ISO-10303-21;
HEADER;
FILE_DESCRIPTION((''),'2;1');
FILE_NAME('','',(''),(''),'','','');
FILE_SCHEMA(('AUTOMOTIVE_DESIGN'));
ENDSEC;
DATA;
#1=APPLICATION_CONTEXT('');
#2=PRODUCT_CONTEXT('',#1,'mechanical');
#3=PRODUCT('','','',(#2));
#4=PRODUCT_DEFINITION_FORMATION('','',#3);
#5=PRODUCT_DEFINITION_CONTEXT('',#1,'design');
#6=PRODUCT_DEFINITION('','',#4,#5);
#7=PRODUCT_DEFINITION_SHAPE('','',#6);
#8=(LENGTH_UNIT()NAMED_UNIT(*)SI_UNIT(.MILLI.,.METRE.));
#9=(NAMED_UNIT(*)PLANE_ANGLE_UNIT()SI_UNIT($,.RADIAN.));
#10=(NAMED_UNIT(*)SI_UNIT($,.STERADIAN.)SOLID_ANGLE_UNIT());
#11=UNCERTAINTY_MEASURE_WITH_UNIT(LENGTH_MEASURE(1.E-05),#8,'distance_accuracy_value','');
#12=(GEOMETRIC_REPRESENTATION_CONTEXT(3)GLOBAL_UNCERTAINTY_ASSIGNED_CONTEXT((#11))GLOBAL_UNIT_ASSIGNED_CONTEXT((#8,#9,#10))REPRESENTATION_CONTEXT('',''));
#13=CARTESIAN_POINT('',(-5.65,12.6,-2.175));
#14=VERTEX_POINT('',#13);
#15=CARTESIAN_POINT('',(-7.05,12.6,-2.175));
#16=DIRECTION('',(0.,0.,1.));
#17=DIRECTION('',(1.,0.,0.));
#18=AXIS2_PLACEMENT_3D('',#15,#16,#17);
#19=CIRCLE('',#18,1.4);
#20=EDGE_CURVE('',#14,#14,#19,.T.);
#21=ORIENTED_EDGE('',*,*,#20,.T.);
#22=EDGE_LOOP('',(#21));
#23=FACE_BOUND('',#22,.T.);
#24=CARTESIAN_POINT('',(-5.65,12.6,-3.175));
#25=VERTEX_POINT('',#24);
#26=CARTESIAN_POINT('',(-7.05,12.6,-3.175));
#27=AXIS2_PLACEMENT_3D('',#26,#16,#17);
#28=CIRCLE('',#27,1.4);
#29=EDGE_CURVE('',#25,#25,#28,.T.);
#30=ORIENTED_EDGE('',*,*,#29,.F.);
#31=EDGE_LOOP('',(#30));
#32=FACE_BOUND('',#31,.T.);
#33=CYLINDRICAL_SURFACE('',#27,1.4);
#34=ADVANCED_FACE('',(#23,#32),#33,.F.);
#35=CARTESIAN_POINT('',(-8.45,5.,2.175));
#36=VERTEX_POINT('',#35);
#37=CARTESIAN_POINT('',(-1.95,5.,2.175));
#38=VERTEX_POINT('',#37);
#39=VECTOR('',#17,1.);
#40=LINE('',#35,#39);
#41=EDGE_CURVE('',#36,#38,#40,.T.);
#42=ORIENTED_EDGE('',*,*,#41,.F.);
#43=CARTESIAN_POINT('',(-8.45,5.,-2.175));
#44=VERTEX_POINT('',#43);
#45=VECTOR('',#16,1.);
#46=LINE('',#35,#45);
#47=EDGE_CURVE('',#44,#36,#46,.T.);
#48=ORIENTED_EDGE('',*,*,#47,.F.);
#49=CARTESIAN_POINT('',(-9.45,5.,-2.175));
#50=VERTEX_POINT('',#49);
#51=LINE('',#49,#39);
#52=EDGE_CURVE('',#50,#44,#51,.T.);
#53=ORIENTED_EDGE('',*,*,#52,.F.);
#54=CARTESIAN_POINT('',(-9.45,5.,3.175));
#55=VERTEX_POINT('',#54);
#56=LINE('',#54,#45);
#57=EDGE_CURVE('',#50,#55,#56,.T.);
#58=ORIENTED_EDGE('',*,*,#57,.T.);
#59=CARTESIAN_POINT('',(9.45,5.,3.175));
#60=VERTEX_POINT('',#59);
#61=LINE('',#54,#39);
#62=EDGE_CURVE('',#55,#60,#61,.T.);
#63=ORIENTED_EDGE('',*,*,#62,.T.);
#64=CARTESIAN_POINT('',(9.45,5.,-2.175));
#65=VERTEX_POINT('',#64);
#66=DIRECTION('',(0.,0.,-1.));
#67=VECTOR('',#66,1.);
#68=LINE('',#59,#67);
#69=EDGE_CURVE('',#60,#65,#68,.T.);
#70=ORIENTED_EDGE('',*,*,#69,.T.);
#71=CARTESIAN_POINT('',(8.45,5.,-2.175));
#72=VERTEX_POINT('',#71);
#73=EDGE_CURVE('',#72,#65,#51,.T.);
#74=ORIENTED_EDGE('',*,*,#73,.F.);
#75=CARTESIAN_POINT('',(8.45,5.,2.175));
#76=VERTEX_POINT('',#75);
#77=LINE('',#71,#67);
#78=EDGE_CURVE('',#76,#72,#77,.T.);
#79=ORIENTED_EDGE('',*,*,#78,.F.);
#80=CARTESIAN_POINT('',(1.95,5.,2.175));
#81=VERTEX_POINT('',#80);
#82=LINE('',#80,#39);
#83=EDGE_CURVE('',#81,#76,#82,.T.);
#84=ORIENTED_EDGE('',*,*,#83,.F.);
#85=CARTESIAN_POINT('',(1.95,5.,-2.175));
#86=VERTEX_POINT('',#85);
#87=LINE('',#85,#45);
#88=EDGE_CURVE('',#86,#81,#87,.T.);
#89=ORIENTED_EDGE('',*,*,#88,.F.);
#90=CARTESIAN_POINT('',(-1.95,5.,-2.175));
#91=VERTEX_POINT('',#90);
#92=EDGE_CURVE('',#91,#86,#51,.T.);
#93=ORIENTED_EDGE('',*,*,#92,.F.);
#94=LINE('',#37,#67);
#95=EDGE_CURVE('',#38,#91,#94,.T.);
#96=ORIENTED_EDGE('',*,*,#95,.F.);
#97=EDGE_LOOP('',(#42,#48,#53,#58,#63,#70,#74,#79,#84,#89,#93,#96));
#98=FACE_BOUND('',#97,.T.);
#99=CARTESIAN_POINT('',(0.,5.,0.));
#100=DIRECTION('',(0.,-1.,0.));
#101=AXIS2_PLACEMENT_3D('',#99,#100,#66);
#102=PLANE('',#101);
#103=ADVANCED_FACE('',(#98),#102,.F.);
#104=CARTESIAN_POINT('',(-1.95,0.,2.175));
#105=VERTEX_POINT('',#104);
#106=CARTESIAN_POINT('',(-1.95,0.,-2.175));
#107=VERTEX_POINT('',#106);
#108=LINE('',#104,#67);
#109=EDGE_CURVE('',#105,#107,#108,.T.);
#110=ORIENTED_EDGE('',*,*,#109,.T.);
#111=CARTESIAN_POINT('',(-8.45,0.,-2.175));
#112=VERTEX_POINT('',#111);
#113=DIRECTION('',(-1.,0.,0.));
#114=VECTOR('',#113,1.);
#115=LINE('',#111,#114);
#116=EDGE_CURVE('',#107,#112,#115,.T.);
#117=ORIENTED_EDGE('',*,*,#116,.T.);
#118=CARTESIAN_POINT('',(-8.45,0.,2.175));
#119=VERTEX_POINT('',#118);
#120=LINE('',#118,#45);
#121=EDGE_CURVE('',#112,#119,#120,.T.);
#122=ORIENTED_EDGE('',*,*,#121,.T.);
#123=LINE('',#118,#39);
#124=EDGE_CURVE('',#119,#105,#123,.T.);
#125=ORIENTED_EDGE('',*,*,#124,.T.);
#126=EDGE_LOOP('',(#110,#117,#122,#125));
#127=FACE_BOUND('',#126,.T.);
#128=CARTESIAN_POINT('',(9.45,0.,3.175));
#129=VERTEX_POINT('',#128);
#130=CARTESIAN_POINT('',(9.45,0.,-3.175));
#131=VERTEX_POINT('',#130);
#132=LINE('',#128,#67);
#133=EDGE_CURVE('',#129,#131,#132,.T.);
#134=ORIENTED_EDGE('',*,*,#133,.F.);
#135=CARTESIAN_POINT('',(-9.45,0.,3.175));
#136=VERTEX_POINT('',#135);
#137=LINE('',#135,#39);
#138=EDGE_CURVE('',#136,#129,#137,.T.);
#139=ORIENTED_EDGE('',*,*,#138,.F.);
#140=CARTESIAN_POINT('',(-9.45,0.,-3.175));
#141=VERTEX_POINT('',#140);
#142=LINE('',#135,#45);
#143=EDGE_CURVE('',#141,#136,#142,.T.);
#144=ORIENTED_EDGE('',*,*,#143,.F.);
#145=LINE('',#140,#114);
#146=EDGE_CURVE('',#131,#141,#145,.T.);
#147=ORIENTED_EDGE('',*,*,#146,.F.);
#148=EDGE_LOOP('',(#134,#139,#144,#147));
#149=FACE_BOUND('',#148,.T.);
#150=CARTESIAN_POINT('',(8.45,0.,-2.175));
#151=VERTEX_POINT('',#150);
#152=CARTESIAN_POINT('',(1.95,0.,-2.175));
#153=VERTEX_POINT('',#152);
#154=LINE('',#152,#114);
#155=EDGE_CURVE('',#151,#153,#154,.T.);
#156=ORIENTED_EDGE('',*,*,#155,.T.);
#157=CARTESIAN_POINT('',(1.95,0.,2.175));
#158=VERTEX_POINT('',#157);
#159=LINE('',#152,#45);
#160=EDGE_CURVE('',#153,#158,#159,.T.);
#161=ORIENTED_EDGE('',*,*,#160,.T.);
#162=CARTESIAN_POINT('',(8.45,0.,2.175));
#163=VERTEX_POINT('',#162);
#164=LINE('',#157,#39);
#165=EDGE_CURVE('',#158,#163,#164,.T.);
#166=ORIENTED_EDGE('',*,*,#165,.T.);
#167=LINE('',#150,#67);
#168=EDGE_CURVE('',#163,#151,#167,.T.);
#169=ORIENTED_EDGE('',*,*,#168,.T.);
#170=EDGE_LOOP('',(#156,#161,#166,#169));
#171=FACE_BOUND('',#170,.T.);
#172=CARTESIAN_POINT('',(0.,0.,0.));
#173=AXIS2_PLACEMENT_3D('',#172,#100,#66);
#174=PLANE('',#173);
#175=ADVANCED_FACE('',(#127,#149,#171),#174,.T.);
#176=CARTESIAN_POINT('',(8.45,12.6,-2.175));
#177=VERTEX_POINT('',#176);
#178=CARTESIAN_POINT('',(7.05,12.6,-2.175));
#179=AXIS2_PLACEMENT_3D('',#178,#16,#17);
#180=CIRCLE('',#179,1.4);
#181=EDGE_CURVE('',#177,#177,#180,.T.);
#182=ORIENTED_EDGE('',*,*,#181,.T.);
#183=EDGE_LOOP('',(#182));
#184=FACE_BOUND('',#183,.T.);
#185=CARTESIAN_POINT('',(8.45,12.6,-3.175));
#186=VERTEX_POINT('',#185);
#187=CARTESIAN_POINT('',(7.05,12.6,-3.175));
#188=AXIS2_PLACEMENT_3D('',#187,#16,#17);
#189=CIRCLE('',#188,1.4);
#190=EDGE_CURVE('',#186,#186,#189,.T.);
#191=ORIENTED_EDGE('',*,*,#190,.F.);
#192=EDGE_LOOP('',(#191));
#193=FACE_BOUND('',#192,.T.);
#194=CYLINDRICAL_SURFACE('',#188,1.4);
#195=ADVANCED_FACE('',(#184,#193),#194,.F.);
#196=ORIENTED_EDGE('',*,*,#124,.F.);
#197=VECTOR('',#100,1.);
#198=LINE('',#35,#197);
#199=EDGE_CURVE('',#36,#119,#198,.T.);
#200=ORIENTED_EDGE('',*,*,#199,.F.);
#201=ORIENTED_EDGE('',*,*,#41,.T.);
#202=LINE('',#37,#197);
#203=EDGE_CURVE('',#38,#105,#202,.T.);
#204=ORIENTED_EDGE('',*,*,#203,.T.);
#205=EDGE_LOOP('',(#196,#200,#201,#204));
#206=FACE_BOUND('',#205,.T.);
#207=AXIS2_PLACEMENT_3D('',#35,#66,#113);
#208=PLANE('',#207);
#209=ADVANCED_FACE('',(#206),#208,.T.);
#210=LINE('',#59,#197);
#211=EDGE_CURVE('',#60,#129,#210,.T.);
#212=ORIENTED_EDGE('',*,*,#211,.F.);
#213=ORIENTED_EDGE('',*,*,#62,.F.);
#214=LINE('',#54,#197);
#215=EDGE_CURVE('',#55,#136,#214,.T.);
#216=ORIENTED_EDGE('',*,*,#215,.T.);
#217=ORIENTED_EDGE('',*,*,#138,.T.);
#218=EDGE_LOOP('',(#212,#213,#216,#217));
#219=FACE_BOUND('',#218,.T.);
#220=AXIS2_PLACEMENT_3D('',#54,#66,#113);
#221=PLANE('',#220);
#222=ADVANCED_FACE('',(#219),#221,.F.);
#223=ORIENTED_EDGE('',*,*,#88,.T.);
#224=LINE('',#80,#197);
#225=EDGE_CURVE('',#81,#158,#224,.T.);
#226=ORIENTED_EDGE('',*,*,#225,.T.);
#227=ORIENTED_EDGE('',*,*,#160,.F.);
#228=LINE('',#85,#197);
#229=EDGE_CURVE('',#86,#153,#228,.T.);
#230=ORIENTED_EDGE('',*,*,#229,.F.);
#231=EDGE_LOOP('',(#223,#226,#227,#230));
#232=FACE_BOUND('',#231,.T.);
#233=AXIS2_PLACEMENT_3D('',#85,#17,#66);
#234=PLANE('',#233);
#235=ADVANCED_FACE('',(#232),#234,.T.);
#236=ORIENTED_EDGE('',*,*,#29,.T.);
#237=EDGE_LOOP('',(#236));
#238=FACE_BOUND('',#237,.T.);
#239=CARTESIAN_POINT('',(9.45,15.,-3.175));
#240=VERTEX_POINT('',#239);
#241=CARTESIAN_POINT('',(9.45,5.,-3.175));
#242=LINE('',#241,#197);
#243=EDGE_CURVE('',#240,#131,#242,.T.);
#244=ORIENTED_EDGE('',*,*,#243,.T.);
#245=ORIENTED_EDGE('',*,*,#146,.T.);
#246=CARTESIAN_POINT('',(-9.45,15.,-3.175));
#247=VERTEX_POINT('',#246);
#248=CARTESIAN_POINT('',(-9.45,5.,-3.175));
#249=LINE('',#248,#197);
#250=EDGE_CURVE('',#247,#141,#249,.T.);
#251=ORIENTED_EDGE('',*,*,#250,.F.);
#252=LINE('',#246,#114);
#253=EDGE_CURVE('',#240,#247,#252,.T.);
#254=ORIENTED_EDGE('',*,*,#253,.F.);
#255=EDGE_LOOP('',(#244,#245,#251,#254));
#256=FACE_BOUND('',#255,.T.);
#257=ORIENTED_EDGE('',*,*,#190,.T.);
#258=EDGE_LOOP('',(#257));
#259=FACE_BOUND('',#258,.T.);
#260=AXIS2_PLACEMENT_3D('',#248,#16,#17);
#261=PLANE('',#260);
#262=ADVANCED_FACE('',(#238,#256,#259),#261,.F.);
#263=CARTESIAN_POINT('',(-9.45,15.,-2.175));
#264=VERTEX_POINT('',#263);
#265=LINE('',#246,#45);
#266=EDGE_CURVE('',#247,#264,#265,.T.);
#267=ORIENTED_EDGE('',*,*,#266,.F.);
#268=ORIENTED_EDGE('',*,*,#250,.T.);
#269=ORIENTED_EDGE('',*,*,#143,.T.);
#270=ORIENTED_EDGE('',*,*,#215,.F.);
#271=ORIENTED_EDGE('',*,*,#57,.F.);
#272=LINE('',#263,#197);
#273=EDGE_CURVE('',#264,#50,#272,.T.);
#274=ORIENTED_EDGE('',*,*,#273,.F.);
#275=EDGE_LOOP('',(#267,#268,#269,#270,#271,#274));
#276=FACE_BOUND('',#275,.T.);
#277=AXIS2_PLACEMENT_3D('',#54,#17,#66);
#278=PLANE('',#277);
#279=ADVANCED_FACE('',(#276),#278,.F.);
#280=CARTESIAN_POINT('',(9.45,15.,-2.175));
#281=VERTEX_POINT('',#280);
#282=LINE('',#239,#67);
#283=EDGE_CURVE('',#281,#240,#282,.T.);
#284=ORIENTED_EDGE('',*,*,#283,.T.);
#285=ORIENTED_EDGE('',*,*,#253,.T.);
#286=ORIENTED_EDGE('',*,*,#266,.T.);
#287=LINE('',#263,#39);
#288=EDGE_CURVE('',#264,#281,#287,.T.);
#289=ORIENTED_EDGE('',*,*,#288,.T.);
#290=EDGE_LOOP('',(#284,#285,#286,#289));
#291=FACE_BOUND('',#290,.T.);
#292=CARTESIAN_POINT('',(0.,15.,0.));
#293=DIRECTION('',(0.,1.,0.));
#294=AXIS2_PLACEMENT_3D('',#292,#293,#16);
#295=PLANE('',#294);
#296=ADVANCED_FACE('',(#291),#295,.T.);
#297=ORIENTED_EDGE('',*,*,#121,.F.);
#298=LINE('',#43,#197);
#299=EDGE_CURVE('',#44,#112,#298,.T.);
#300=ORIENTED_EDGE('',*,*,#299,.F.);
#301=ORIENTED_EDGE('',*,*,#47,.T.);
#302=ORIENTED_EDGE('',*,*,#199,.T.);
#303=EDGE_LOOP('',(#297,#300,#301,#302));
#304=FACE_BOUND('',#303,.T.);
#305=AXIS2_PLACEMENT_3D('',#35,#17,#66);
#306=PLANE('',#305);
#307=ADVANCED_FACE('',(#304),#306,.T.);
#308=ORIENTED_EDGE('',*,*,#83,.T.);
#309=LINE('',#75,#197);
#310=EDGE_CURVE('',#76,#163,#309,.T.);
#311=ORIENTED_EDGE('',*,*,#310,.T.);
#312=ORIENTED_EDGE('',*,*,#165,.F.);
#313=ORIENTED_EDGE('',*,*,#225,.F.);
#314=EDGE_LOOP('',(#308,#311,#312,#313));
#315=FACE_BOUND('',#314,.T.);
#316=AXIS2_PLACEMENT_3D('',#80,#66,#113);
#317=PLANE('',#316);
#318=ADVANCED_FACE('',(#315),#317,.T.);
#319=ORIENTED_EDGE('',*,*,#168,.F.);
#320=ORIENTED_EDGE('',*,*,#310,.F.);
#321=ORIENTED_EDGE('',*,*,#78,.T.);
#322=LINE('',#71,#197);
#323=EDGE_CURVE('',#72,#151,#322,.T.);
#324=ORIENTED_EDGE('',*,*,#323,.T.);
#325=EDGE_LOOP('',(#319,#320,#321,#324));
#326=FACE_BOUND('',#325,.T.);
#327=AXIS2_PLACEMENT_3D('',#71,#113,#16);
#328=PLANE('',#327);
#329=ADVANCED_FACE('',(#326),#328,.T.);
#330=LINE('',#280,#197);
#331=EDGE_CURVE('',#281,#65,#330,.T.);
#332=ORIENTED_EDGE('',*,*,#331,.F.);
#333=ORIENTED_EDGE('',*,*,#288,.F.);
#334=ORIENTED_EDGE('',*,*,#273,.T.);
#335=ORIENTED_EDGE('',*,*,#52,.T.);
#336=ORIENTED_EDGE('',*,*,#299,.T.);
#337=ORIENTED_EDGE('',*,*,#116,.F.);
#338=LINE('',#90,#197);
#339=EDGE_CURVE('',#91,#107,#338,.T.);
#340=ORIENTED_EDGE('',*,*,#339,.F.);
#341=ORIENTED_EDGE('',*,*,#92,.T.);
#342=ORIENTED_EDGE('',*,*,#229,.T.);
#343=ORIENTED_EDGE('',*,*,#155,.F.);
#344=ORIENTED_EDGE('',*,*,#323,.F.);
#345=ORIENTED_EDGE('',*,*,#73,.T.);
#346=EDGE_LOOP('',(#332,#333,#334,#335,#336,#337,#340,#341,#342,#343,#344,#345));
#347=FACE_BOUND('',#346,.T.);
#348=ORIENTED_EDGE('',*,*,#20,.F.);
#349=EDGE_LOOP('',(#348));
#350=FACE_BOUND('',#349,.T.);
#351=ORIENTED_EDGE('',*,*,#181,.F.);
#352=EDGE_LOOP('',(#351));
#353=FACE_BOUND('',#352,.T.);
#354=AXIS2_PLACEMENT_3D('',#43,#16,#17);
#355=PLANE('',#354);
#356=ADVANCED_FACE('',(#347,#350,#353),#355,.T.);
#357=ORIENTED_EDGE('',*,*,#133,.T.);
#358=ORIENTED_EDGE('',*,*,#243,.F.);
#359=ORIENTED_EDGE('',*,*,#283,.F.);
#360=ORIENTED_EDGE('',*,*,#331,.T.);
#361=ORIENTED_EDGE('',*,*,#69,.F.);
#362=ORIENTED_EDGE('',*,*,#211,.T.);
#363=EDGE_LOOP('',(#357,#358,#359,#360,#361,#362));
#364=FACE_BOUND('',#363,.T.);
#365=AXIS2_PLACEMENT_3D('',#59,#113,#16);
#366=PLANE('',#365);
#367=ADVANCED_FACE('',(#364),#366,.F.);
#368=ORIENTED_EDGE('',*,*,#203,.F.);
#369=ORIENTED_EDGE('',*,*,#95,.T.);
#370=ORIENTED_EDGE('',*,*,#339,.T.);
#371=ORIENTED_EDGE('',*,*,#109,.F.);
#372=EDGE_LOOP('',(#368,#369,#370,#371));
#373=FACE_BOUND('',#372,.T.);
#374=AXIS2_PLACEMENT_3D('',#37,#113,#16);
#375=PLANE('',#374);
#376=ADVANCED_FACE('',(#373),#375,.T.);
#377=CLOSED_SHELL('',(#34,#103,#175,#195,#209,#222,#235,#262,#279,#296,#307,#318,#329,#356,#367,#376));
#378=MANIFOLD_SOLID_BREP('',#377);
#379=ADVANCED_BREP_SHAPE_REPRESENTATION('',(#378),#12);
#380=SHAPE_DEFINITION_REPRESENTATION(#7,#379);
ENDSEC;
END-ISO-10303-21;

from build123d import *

# Parameters (mm, degrees)
SKETCH1_W           = 18.9
SKETCH1_H           = 6.35
SKETCH1_W_2         = 6.5
SKETCH1_H_2         = 4.35
BOSS_EXTRUDE1_DEPTH = 5
SKETCH2_W           = 18.9
SKETCH2_H           = 1
BOSS_EXTRUDE2_DEPTH = 10
SKETCH3_R           = 1.4
CUT_EXTRUDE1_DEPTH  = 2


with BuildPart() as part:
    # Sketch1 → Boss-Extrude1 (new body)
    with BuildSketch(Plane(origin=(0, 0, 0), x_dir=(1, 0, 0), z_dir=(0, 1, 0))):
        Rectangle(SKETCH1_W, SKETCH1_H)
        with Locations((-5.2, 0)):
            Rectangle(SKETCH1_W_2, SKETCH1_H_2, mode=Mode.SUBTRACT)
        with Locations((5.2, 0)):
            Rectangle(SKETCH1_W_2, SKETCH1_H_2, mode=Mode.SUBTRACT)
    extrude(amount=BOSS_EXTRUDE1_DEPTH)

    # Sketch2 → Boss-Extrude2 (add)
    with BuildSketch(Plane(origin=(0, 5, 0), x_dir=(1, 0, 0), z_dir=(0, 1, 0))):
        with Locations((0, 2.675)):
            Rectangle(SKETCH2_W, SKETCH2_H)
    extrude(amount=BOSS_EXTRUDE2_DEPTH)

    # Sketch3 → Cut-Extrude1 (cut, through all)
    with BuildSketch(Plane.XY.offset(-2.175)):
        with Locations((7.05, 12.6)):
            Circle(SKETCH3_R)
        with Locations((-7.05, 12.6)):
            Circle(SKETCH3_R)
    extrude(amount=-CUT_EXTRUDE1_DEPTH, mode=Mode.SUBTRACT)


solid = part.part
